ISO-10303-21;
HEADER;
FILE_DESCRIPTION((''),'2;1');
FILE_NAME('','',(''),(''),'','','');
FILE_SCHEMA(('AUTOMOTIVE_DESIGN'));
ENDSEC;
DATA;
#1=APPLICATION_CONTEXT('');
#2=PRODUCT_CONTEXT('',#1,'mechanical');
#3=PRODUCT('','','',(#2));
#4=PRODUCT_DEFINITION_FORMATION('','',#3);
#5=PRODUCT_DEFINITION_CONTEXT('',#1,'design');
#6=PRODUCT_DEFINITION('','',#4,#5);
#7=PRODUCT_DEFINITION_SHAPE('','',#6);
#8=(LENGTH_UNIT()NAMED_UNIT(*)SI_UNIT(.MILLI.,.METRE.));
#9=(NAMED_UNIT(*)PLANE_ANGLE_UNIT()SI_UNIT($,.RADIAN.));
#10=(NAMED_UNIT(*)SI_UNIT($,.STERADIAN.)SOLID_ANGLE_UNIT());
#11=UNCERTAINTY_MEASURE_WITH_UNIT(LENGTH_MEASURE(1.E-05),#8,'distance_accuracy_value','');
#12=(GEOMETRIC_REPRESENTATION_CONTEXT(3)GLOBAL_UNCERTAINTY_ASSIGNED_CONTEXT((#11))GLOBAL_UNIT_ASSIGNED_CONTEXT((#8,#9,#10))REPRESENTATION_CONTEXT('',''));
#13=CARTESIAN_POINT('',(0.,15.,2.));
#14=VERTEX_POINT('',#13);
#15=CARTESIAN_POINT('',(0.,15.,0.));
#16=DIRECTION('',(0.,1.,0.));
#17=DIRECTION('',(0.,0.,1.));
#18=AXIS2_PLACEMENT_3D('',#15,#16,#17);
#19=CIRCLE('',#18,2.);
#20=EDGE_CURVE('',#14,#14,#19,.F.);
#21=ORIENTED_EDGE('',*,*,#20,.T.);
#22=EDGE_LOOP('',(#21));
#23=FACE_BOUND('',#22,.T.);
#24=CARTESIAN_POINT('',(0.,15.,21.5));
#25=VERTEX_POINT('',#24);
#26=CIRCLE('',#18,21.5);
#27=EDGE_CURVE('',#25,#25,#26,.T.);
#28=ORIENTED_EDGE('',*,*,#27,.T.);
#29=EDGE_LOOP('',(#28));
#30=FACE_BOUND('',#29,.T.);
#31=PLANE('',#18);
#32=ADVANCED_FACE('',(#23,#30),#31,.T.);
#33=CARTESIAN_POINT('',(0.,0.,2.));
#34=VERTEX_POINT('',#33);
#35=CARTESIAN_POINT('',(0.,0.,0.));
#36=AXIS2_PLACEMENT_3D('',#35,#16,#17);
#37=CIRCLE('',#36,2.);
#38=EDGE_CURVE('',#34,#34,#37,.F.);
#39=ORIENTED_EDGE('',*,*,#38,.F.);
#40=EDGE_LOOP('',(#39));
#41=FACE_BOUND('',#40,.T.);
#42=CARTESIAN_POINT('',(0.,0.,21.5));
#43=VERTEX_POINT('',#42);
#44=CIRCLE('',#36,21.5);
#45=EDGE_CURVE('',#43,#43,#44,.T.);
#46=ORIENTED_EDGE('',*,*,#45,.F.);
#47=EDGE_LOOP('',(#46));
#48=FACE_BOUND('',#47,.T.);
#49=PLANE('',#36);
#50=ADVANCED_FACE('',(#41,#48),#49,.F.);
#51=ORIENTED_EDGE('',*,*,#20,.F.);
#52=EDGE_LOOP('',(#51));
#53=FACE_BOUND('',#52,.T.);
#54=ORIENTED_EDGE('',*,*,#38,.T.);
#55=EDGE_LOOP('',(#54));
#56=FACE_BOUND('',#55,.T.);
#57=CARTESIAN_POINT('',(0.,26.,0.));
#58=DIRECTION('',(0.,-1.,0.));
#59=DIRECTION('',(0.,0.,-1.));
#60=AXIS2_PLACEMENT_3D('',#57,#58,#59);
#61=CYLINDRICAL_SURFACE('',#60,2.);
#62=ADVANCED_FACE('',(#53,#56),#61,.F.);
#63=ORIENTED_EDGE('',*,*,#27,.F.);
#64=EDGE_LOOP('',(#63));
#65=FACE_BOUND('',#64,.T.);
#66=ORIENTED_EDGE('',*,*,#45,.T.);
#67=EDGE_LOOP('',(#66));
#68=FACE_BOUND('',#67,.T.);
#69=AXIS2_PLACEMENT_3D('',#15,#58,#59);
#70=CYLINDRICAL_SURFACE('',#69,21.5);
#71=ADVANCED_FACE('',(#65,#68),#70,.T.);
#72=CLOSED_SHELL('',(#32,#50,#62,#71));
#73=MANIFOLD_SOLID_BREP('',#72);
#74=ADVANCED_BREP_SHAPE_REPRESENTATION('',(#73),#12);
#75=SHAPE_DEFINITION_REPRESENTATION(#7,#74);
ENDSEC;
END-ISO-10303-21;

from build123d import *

# Parameters (mm, degrees)
SKETCH1_R               = 21.5
BOSS_EXTRUDE1_DEPTH     = 15
SKETCH2_R               = 2
CUT_EXTRUDE1_DEPTH      = 26
CUT_EXTRUDE1_DEPTH_BACK = 9


with BuildPart() as part:
    # Sketch1 → Boss-Extrude1 (new body)
    with BuildSketch(Plane(origin=(0, 0, 0), x_dir=(1, 0, 0), z_dir=(0, 1, 0))):
        Circle(SKETCH1_R)
    extrude(amount=BOSS_EXTRUDE1_DEPTH)

    # Sketch2 → Cut-Extrude1 (cut, two sides)
    with BuildSketch(Plane(origin=(0, 0, 0), x_dir=(1, 0, 0), z_dir=(0, 1, 0))) as cut_extrude1_sk:
        Circle(SKETCH2_R)
    extrude(amount=CUT_EXTRUDE1_DEPTH, mode=Mode.SUBTRACT)
    extrude(cut_extrude1_sk.sketch, amount=-CUT_EXTRUDE1_DEPTH_BACK, mode=Mode.SUBTRACT)


solid = part.part
